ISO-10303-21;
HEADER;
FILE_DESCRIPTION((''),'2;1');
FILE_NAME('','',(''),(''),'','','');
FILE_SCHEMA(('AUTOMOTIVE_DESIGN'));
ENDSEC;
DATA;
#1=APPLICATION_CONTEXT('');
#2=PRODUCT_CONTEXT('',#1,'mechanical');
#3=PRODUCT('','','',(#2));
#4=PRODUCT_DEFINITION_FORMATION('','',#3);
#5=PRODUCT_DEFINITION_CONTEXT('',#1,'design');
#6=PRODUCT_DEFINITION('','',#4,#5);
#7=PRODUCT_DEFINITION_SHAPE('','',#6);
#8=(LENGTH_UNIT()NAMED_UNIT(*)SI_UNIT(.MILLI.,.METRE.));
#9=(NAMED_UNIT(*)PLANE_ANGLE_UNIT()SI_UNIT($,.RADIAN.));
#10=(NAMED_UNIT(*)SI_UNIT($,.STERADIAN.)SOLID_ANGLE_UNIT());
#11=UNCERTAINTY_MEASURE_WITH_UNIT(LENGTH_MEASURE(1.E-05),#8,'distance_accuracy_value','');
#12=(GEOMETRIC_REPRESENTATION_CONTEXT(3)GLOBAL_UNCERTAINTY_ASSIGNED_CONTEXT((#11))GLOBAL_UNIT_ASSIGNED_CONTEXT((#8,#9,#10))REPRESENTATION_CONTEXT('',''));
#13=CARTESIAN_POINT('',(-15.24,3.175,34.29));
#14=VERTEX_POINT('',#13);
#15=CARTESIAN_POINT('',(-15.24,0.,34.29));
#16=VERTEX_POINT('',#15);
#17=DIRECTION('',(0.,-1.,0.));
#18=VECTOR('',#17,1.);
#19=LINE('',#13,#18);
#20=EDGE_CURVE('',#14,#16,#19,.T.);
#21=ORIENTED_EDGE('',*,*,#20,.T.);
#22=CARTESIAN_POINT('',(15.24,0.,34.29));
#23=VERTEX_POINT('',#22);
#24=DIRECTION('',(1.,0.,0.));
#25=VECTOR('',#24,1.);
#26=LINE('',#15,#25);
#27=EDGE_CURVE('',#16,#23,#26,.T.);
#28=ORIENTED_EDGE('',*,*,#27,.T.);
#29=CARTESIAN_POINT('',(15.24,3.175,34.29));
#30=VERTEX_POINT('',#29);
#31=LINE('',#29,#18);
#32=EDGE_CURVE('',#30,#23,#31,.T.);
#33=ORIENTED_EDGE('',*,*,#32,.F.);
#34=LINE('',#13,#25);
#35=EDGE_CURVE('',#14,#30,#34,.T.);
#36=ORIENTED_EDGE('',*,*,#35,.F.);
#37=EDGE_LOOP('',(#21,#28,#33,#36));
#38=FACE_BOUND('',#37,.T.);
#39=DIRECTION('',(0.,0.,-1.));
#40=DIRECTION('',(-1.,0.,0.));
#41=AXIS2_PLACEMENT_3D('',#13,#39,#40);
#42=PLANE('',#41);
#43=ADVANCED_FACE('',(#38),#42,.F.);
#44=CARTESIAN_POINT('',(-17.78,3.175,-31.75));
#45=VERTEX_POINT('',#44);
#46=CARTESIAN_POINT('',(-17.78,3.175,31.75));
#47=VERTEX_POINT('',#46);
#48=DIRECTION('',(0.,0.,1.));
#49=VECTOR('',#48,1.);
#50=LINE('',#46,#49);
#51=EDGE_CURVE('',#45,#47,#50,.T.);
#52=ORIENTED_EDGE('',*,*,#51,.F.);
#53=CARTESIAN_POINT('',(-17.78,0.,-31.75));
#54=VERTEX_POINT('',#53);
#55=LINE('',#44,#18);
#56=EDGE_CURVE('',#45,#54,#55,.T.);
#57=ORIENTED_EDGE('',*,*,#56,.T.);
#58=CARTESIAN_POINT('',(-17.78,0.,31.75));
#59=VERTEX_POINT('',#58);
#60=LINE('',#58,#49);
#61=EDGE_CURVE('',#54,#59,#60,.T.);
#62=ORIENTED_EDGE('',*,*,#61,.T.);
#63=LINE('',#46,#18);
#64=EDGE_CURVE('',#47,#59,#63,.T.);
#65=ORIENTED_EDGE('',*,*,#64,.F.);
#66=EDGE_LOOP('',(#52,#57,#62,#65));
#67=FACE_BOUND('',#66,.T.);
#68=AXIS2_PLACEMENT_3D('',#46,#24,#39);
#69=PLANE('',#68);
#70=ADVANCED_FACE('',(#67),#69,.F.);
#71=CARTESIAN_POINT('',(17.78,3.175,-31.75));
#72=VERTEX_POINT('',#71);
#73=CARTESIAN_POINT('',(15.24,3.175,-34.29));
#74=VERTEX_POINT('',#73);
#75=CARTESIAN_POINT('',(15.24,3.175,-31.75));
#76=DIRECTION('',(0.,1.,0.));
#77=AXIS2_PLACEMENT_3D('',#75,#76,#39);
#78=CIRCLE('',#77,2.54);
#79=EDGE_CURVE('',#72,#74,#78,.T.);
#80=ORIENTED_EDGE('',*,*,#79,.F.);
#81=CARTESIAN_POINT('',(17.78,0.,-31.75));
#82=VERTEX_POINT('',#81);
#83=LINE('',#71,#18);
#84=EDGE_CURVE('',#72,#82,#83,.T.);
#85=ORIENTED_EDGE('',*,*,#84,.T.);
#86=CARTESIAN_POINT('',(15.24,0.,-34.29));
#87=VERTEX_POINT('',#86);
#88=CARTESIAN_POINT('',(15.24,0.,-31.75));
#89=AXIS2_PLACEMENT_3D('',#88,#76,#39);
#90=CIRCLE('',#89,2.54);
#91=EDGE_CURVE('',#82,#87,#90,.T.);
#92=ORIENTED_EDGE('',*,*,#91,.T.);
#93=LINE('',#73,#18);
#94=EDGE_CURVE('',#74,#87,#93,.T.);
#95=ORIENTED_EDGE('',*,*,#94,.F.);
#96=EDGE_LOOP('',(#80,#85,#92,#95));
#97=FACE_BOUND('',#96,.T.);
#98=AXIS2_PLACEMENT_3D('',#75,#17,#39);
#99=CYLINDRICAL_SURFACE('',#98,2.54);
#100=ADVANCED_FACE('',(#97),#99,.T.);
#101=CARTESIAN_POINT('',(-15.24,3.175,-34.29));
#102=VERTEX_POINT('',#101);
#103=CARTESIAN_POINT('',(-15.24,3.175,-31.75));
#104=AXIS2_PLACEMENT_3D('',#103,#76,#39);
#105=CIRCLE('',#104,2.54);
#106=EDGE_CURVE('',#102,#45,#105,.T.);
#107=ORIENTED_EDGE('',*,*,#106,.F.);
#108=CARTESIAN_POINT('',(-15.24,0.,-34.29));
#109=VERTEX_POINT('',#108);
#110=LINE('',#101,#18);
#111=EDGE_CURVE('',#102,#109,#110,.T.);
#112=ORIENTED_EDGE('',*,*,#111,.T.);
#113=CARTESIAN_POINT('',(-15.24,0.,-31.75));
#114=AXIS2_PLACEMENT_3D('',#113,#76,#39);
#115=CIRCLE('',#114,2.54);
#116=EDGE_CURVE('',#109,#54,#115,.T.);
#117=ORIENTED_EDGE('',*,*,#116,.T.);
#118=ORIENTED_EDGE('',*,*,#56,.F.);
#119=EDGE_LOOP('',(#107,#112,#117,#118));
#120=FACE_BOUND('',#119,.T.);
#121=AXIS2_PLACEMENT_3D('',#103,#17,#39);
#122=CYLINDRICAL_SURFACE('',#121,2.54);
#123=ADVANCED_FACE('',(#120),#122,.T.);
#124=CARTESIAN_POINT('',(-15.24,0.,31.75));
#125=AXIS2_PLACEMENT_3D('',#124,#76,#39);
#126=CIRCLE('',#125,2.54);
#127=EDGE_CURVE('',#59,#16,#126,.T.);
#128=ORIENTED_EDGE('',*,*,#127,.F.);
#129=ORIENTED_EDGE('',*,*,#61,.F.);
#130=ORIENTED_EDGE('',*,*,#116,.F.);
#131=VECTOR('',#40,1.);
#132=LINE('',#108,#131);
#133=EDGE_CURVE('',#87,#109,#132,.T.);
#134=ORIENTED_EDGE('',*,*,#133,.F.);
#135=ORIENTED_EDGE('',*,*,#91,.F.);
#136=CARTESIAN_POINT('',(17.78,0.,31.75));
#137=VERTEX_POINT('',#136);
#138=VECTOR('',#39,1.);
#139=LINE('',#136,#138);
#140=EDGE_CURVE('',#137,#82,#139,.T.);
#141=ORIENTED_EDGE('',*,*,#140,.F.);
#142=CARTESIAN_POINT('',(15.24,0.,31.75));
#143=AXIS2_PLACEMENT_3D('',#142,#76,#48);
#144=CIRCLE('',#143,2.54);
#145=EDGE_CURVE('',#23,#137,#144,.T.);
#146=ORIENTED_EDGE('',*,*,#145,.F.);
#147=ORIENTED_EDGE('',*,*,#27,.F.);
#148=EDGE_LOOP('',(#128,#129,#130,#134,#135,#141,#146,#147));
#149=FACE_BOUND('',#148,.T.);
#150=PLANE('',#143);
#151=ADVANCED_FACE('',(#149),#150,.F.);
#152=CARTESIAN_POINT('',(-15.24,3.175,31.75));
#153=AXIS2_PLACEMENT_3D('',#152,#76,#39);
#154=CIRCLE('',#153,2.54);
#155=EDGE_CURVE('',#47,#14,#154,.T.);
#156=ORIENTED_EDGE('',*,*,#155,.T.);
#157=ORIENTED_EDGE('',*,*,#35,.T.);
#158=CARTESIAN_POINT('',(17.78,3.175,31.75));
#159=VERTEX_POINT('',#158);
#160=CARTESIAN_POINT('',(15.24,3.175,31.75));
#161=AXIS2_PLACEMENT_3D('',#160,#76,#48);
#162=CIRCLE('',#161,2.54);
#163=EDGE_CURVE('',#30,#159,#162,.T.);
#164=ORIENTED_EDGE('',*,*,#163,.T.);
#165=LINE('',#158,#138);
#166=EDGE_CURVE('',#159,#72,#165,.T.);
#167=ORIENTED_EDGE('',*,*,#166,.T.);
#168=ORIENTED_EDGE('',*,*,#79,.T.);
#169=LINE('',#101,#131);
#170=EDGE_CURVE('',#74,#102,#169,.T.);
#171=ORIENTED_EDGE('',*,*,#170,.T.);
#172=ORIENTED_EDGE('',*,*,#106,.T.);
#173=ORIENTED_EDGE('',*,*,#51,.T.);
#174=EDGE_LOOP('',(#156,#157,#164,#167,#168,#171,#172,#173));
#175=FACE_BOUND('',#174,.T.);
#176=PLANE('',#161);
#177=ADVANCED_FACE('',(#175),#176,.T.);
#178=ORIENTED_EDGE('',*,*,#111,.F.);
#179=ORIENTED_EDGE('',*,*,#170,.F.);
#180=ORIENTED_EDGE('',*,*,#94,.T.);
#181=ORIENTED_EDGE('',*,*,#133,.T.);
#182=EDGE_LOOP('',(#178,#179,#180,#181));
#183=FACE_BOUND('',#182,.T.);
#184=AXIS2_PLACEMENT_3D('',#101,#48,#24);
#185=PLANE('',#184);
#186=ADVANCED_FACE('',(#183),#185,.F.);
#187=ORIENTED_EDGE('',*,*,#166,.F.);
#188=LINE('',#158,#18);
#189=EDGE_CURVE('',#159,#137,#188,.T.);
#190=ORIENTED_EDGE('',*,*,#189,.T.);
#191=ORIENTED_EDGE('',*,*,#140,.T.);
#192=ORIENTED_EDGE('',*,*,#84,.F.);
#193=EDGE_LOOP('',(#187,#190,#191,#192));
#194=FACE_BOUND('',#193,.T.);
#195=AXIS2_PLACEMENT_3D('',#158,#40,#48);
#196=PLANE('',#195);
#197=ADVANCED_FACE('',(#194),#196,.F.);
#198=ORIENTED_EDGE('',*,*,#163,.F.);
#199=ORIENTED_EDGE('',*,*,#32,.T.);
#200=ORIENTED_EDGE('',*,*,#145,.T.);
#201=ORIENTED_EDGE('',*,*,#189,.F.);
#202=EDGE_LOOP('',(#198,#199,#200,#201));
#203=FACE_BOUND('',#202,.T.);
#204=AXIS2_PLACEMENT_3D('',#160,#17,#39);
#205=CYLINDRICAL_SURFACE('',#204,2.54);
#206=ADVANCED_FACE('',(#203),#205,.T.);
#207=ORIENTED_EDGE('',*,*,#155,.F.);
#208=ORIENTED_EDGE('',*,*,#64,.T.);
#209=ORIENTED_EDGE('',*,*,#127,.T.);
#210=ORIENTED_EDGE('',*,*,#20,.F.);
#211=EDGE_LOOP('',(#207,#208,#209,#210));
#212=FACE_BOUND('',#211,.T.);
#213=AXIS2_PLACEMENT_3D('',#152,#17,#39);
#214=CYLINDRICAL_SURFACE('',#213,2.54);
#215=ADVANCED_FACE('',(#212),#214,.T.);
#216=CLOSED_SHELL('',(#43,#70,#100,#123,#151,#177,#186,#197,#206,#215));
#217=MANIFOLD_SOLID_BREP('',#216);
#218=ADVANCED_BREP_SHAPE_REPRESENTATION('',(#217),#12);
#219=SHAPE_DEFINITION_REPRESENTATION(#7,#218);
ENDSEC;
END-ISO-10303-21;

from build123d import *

# Parameters (mm, degrees)
BOSS_EXTRUDE1_DEPTH = 3.175


with BuildPart() as part:
    # Sketch1 → Boss-Extrude1 (new body)
    with BuildSketch(Plane(origin=(0, 0, 0), x_dir=(1, 0, 0), z_dir=(0, 1, 0))):
        with BuildLine():
            Line((-15.24, -34.29), (15.24, -34.29))
            ThreePointArc((15.24, -34.29), (17.036051224, -33.546051224), (17.78, -31.75))
            Line((17.78, -31.75), (17.78, 31.75))
            ThreePointArc((17.78, 31.75), (17.036051224, 33.546051224), (15.24, 34.29))
            Line((15.24, 34.29), (-15.24, 34.29))
            ThreePointArc((-15.24, 34.29), (-17.036051224, 33.546051224), (-17.78, 31.75))
            Line((-17.78, 31.75), (-17.78, -31.75))
            ThreePointArc((-17.78, -31.75), (-17.036051224, -33.546051224), (-15.24, -34.29))
        make_face()
    extrude(amount=BOSS_EXTRUDE1_DEPTH)


solid = part.part
